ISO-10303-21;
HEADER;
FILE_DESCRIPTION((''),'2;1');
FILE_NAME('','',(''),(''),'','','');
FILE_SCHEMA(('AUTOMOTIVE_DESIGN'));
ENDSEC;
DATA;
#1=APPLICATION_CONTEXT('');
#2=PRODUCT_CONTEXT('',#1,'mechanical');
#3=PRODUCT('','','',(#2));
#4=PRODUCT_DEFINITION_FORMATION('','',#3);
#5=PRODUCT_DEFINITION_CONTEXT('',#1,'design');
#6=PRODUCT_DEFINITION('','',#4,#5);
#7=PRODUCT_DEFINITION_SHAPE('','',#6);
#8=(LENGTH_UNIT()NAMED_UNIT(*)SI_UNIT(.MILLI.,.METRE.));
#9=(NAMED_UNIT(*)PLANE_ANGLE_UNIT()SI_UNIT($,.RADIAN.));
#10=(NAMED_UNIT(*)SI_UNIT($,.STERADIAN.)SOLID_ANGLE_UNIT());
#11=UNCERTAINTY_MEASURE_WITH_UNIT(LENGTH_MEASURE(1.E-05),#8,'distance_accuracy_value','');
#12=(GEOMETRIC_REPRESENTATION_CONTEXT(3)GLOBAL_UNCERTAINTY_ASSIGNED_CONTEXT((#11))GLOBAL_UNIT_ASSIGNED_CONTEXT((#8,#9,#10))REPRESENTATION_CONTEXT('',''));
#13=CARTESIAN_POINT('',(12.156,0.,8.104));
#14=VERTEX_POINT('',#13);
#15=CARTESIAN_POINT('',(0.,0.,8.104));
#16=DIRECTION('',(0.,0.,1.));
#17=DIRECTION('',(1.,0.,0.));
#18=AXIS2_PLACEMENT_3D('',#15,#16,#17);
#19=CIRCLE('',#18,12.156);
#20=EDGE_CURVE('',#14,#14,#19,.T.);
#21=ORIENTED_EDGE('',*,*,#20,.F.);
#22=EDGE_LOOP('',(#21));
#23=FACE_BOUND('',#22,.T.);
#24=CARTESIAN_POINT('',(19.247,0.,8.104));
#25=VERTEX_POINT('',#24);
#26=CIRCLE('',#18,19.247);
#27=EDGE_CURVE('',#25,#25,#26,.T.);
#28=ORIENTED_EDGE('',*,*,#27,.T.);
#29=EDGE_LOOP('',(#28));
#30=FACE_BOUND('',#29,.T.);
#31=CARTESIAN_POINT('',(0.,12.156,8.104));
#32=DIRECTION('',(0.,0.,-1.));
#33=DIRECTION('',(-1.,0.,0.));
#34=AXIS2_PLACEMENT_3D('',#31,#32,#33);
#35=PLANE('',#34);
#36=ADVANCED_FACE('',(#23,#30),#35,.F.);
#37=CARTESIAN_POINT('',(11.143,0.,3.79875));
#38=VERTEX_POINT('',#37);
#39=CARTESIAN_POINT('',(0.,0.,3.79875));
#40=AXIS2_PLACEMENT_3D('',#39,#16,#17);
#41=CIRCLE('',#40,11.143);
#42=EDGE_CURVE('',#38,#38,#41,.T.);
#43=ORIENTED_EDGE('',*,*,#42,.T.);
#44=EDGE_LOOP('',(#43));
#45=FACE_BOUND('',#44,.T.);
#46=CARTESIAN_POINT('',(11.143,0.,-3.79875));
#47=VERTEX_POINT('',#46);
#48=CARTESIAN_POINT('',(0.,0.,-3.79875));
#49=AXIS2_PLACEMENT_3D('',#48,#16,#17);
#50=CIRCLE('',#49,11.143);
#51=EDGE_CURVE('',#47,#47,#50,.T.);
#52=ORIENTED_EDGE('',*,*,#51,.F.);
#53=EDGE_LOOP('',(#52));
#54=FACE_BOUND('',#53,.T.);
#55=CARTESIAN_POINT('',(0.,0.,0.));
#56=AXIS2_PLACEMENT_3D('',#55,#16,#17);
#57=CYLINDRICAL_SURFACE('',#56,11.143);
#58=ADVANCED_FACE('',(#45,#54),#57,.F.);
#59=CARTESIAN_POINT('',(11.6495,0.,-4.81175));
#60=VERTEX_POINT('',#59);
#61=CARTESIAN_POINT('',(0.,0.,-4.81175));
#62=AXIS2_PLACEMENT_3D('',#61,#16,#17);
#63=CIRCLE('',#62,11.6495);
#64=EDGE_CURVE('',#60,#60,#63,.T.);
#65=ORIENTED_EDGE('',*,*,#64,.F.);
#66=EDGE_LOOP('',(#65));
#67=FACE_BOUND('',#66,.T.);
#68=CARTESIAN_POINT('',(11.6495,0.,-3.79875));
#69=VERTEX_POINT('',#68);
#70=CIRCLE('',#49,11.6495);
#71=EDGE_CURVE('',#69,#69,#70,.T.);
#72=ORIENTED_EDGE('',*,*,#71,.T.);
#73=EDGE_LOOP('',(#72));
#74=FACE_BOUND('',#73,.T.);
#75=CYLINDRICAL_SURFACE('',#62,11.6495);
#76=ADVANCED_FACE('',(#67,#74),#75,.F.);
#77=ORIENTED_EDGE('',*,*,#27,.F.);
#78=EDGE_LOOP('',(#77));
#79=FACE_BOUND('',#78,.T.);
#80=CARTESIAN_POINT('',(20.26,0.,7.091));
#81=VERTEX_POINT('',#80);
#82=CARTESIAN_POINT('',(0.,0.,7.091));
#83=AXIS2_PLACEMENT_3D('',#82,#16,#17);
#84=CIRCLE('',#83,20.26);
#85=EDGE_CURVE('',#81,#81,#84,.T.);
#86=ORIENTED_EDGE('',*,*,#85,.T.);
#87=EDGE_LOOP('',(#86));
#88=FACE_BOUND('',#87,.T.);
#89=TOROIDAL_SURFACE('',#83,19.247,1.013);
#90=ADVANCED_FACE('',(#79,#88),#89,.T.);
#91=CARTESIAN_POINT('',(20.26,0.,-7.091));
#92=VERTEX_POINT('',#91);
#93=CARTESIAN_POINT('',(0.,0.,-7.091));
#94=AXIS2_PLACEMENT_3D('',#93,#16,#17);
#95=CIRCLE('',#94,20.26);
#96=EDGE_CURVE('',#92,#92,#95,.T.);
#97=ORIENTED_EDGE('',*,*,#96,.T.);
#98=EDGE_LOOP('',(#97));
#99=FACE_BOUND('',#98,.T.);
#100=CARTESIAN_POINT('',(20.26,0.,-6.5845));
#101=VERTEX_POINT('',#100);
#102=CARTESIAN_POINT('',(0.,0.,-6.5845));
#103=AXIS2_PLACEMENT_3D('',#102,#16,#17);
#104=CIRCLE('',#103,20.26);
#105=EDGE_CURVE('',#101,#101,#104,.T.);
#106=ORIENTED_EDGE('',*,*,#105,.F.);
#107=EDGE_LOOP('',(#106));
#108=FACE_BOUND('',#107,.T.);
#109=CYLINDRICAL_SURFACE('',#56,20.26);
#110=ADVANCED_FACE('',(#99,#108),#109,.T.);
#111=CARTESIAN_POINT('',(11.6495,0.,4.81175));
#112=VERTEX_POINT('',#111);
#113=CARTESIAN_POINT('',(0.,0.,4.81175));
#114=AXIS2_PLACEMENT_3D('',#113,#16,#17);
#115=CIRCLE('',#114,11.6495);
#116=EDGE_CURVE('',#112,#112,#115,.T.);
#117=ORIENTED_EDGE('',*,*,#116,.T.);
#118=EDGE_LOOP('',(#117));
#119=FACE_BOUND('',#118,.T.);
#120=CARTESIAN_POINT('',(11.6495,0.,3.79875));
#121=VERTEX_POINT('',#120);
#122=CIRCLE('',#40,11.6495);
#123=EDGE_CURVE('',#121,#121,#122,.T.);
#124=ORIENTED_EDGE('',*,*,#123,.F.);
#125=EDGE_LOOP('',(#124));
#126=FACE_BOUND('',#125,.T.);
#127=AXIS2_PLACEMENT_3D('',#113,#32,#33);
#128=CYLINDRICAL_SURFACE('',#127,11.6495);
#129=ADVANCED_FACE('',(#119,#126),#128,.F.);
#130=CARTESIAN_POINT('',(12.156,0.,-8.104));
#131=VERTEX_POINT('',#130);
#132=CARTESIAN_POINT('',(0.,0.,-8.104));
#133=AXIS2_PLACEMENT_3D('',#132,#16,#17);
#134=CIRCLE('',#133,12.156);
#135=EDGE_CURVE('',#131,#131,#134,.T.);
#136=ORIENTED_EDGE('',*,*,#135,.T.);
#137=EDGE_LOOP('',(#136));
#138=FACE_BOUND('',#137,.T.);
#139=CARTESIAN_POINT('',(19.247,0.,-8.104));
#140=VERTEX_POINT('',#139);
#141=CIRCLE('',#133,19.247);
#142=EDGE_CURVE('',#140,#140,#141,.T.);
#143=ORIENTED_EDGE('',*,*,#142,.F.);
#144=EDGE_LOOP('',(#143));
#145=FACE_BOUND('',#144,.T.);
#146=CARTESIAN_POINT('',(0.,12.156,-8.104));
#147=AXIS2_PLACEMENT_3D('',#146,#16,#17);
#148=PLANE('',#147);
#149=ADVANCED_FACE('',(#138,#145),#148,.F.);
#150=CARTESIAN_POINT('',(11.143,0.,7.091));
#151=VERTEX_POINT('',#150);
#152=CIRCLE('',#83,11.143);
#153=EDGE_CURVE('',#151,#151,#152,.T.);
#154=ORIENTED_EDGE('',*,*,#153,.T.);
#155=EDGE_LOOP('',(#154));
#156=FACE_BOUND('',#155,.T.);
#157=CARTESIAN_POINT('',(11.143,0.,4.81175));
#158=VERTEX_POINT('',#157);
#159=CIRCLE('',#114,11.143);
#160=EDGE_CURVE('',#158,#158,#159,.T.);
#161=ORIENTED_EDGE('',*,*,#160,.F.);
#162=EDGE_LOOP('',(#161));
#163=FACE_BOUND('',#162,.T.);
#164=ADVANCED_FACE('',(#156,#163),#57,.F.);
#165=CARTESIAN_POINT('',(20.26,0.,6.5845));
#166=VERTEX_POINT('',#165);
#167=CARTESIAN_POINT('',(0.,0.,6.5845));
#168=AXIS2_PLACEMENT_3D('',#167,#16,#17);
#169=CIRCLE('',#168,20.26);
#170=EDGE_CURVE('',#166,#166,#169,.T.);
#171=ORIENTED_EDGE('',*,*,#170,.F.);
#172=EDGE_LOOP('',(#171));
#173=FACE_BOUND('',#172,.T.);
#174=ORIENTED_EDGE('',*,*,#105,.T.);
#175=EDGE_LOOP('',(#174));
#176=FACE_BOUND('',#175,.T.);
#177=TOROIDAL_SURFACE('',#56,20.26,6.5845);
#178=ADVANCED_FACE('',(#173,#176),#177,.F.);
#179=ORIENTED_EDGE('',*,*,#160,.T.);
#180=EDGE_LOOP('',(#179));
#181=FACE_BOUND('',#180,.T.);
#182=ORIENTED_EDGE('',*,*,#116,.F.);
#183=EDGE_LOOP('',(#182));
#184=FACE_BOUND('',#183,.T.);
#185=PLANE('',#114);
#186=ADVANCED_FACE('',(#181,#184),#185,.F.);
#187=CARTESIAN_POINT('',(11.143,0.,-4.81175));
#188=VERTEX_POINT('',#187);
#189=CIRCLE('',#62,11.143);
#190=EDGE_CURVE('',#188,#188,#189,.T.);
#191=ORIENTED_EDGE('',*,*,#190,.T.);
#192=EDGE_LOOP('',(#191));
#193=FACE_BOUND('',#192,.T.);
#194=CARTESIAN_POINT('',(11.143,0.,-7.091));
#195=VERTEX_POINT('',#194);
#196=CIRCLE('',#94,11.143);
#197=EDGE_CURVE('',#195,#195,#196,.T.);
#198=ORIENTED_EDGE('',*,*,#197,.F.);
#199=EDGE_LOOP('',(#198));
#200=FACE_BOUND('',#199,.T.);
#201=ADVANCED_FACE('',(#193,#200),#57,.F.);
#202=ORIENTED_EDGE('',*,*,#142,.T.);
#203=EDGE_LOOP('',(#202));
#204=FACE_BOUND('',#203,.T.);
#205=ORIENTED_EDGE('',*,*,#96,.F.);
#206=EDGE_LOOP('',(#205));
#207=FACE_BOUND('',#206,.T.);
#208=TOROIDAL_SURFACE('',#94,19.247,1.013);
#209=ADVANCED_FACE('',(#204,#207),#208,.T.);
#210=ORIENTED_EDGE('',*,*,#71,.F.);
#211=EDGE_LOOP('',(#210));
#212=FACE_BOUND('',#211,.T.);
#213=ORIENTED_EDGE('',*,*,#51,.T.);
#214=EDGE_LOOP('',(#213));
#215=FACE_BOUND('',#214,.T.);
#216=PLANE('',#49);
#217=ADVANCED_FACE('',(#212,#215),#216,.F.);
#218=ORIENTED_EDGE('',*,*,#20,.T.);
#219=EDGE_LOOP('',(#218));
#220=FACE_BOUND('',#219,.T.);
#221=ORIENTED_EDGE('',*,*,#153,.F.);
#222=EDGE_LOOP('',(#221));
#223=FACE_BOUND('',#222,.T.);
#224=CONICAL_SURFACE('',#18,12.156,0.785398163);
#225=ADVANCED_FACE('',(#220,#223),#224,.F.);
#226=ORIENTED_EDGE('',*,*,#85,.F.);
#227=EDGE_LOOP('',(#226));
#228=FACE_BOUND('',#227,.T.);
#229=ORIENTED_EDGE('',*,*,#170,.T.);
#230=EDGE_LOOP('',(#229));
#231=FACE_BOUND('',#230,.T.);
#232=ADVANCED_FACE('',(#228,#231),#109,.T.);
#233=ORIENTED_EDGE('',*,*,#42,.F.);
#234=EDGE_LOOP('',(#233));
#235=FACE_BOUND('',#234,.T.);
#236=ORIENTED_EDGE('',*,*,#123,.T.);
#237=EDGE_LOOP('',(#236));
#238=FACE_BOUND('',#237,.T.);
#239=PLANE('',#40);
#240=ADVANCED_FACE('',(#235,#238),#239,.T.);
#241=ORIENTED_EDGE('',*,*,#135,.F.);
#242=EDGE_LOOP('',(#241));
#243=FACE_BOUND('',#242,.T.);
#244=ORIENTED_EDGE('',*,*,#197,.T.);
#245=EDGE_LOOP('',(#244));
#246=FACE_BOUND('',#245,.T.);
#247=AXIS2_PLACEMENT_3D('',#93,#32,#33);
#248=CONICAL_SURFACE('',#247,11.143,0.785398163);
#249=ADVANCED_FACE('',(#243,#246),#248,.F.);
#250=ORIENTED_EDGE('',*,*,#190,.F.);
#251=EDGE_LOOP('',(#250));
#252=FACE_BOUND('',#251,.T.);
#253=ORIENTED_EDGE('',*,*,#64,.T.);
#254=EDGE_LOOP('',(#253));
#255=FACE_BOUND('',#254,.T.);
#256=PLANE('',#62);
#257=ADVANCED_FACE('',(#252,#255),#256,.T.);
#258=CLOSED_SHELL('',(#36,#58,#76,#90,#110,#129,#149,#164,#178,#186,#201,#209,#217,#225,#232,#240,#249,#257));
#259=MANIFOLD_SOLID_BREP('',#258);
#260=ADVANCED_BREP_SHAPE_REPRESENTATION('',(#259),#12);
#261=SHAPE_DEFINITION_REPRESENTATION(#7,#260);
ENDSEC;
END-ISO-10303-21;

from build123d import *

# Parameters (mm, degrees)
CUT_EXTRUDE1_START = -4.25
SKETCH2_R          = 11.5
SKETCH2_R_2        = 11
CUT_EXTRUDE1_DEPTH = 1
CUT_EXTRUDE2_START = -12.75
SKETCH2_2_R        = 11.5
SKETCH2_2_R_2      = 11
CUT_EXTRUDE2_DEPTH = 1
SCALE1_SCALE       = 1.013


with BuildPart() as part:
    # Sketch1 → Revolve1 (revolve)
    with BuildSketch(Plane(origin=(0, 0, 0), x_dir=(0, 0, -1), z_dir=(1, 0, 0))):
        with BuildLine():
            Line((-7, 11), (7, 11))
            Line((7, 11), (8, 12))
            Line((8, 12), (8, 19))
            ThreePointArc((8, 19), (7.707106781, 19.707106781), (7, 20))
            Line((7, 20), (6.5, 20))
            ThreePointArc((6.5, 20), (0, 13.5), (-6.5, 20))
            Line((-6.5, 20), (-7, 20))
            ThreePointArc((-7, 20), (-7.707106781, 19.707106781), (-8, 19))
            Line((-8, 19), (-8, 12))
            Line((-8, 12), (-7, 11))
        make_face()
    revolve(axis=Axis((0, 0, 0), (0, 0, -1)))

    # Sketch2 → Cut-Extrude1 (cut)
    with BuildSketch(Plane.XY.offset(8).offset(CUT_EXTRUDE1_START)):
        Circle(SKETCH2_R)
        Circle(SKETCH2_R_2, mode=Mode.SUBTRACT)
    extrude(amount=CUT_EXTRUDE1_DEPTH, mode=Mode.SUBTRACT)

    # Sketch2<2> → Cut-Extrude2 (cut)
    with BuildSketch(Plane.XY.offset(8).offset(CUT_EXTRUDE2_START)):
        Circle(SKETCH2_2_R)
        Circle(SKETCH2_2_R_2, mode=Mode.SUBTRACT)
    extrude(amount=CUT_EXTRUDE2_DEPTH, mode=Mode.SUBTRACT)


with BuildPart() as part_1:
    # Scale1: scaled about (0, 0, 0)
    add(part.part.scale(SCALE1_SCALE))


solid = part_1.part
